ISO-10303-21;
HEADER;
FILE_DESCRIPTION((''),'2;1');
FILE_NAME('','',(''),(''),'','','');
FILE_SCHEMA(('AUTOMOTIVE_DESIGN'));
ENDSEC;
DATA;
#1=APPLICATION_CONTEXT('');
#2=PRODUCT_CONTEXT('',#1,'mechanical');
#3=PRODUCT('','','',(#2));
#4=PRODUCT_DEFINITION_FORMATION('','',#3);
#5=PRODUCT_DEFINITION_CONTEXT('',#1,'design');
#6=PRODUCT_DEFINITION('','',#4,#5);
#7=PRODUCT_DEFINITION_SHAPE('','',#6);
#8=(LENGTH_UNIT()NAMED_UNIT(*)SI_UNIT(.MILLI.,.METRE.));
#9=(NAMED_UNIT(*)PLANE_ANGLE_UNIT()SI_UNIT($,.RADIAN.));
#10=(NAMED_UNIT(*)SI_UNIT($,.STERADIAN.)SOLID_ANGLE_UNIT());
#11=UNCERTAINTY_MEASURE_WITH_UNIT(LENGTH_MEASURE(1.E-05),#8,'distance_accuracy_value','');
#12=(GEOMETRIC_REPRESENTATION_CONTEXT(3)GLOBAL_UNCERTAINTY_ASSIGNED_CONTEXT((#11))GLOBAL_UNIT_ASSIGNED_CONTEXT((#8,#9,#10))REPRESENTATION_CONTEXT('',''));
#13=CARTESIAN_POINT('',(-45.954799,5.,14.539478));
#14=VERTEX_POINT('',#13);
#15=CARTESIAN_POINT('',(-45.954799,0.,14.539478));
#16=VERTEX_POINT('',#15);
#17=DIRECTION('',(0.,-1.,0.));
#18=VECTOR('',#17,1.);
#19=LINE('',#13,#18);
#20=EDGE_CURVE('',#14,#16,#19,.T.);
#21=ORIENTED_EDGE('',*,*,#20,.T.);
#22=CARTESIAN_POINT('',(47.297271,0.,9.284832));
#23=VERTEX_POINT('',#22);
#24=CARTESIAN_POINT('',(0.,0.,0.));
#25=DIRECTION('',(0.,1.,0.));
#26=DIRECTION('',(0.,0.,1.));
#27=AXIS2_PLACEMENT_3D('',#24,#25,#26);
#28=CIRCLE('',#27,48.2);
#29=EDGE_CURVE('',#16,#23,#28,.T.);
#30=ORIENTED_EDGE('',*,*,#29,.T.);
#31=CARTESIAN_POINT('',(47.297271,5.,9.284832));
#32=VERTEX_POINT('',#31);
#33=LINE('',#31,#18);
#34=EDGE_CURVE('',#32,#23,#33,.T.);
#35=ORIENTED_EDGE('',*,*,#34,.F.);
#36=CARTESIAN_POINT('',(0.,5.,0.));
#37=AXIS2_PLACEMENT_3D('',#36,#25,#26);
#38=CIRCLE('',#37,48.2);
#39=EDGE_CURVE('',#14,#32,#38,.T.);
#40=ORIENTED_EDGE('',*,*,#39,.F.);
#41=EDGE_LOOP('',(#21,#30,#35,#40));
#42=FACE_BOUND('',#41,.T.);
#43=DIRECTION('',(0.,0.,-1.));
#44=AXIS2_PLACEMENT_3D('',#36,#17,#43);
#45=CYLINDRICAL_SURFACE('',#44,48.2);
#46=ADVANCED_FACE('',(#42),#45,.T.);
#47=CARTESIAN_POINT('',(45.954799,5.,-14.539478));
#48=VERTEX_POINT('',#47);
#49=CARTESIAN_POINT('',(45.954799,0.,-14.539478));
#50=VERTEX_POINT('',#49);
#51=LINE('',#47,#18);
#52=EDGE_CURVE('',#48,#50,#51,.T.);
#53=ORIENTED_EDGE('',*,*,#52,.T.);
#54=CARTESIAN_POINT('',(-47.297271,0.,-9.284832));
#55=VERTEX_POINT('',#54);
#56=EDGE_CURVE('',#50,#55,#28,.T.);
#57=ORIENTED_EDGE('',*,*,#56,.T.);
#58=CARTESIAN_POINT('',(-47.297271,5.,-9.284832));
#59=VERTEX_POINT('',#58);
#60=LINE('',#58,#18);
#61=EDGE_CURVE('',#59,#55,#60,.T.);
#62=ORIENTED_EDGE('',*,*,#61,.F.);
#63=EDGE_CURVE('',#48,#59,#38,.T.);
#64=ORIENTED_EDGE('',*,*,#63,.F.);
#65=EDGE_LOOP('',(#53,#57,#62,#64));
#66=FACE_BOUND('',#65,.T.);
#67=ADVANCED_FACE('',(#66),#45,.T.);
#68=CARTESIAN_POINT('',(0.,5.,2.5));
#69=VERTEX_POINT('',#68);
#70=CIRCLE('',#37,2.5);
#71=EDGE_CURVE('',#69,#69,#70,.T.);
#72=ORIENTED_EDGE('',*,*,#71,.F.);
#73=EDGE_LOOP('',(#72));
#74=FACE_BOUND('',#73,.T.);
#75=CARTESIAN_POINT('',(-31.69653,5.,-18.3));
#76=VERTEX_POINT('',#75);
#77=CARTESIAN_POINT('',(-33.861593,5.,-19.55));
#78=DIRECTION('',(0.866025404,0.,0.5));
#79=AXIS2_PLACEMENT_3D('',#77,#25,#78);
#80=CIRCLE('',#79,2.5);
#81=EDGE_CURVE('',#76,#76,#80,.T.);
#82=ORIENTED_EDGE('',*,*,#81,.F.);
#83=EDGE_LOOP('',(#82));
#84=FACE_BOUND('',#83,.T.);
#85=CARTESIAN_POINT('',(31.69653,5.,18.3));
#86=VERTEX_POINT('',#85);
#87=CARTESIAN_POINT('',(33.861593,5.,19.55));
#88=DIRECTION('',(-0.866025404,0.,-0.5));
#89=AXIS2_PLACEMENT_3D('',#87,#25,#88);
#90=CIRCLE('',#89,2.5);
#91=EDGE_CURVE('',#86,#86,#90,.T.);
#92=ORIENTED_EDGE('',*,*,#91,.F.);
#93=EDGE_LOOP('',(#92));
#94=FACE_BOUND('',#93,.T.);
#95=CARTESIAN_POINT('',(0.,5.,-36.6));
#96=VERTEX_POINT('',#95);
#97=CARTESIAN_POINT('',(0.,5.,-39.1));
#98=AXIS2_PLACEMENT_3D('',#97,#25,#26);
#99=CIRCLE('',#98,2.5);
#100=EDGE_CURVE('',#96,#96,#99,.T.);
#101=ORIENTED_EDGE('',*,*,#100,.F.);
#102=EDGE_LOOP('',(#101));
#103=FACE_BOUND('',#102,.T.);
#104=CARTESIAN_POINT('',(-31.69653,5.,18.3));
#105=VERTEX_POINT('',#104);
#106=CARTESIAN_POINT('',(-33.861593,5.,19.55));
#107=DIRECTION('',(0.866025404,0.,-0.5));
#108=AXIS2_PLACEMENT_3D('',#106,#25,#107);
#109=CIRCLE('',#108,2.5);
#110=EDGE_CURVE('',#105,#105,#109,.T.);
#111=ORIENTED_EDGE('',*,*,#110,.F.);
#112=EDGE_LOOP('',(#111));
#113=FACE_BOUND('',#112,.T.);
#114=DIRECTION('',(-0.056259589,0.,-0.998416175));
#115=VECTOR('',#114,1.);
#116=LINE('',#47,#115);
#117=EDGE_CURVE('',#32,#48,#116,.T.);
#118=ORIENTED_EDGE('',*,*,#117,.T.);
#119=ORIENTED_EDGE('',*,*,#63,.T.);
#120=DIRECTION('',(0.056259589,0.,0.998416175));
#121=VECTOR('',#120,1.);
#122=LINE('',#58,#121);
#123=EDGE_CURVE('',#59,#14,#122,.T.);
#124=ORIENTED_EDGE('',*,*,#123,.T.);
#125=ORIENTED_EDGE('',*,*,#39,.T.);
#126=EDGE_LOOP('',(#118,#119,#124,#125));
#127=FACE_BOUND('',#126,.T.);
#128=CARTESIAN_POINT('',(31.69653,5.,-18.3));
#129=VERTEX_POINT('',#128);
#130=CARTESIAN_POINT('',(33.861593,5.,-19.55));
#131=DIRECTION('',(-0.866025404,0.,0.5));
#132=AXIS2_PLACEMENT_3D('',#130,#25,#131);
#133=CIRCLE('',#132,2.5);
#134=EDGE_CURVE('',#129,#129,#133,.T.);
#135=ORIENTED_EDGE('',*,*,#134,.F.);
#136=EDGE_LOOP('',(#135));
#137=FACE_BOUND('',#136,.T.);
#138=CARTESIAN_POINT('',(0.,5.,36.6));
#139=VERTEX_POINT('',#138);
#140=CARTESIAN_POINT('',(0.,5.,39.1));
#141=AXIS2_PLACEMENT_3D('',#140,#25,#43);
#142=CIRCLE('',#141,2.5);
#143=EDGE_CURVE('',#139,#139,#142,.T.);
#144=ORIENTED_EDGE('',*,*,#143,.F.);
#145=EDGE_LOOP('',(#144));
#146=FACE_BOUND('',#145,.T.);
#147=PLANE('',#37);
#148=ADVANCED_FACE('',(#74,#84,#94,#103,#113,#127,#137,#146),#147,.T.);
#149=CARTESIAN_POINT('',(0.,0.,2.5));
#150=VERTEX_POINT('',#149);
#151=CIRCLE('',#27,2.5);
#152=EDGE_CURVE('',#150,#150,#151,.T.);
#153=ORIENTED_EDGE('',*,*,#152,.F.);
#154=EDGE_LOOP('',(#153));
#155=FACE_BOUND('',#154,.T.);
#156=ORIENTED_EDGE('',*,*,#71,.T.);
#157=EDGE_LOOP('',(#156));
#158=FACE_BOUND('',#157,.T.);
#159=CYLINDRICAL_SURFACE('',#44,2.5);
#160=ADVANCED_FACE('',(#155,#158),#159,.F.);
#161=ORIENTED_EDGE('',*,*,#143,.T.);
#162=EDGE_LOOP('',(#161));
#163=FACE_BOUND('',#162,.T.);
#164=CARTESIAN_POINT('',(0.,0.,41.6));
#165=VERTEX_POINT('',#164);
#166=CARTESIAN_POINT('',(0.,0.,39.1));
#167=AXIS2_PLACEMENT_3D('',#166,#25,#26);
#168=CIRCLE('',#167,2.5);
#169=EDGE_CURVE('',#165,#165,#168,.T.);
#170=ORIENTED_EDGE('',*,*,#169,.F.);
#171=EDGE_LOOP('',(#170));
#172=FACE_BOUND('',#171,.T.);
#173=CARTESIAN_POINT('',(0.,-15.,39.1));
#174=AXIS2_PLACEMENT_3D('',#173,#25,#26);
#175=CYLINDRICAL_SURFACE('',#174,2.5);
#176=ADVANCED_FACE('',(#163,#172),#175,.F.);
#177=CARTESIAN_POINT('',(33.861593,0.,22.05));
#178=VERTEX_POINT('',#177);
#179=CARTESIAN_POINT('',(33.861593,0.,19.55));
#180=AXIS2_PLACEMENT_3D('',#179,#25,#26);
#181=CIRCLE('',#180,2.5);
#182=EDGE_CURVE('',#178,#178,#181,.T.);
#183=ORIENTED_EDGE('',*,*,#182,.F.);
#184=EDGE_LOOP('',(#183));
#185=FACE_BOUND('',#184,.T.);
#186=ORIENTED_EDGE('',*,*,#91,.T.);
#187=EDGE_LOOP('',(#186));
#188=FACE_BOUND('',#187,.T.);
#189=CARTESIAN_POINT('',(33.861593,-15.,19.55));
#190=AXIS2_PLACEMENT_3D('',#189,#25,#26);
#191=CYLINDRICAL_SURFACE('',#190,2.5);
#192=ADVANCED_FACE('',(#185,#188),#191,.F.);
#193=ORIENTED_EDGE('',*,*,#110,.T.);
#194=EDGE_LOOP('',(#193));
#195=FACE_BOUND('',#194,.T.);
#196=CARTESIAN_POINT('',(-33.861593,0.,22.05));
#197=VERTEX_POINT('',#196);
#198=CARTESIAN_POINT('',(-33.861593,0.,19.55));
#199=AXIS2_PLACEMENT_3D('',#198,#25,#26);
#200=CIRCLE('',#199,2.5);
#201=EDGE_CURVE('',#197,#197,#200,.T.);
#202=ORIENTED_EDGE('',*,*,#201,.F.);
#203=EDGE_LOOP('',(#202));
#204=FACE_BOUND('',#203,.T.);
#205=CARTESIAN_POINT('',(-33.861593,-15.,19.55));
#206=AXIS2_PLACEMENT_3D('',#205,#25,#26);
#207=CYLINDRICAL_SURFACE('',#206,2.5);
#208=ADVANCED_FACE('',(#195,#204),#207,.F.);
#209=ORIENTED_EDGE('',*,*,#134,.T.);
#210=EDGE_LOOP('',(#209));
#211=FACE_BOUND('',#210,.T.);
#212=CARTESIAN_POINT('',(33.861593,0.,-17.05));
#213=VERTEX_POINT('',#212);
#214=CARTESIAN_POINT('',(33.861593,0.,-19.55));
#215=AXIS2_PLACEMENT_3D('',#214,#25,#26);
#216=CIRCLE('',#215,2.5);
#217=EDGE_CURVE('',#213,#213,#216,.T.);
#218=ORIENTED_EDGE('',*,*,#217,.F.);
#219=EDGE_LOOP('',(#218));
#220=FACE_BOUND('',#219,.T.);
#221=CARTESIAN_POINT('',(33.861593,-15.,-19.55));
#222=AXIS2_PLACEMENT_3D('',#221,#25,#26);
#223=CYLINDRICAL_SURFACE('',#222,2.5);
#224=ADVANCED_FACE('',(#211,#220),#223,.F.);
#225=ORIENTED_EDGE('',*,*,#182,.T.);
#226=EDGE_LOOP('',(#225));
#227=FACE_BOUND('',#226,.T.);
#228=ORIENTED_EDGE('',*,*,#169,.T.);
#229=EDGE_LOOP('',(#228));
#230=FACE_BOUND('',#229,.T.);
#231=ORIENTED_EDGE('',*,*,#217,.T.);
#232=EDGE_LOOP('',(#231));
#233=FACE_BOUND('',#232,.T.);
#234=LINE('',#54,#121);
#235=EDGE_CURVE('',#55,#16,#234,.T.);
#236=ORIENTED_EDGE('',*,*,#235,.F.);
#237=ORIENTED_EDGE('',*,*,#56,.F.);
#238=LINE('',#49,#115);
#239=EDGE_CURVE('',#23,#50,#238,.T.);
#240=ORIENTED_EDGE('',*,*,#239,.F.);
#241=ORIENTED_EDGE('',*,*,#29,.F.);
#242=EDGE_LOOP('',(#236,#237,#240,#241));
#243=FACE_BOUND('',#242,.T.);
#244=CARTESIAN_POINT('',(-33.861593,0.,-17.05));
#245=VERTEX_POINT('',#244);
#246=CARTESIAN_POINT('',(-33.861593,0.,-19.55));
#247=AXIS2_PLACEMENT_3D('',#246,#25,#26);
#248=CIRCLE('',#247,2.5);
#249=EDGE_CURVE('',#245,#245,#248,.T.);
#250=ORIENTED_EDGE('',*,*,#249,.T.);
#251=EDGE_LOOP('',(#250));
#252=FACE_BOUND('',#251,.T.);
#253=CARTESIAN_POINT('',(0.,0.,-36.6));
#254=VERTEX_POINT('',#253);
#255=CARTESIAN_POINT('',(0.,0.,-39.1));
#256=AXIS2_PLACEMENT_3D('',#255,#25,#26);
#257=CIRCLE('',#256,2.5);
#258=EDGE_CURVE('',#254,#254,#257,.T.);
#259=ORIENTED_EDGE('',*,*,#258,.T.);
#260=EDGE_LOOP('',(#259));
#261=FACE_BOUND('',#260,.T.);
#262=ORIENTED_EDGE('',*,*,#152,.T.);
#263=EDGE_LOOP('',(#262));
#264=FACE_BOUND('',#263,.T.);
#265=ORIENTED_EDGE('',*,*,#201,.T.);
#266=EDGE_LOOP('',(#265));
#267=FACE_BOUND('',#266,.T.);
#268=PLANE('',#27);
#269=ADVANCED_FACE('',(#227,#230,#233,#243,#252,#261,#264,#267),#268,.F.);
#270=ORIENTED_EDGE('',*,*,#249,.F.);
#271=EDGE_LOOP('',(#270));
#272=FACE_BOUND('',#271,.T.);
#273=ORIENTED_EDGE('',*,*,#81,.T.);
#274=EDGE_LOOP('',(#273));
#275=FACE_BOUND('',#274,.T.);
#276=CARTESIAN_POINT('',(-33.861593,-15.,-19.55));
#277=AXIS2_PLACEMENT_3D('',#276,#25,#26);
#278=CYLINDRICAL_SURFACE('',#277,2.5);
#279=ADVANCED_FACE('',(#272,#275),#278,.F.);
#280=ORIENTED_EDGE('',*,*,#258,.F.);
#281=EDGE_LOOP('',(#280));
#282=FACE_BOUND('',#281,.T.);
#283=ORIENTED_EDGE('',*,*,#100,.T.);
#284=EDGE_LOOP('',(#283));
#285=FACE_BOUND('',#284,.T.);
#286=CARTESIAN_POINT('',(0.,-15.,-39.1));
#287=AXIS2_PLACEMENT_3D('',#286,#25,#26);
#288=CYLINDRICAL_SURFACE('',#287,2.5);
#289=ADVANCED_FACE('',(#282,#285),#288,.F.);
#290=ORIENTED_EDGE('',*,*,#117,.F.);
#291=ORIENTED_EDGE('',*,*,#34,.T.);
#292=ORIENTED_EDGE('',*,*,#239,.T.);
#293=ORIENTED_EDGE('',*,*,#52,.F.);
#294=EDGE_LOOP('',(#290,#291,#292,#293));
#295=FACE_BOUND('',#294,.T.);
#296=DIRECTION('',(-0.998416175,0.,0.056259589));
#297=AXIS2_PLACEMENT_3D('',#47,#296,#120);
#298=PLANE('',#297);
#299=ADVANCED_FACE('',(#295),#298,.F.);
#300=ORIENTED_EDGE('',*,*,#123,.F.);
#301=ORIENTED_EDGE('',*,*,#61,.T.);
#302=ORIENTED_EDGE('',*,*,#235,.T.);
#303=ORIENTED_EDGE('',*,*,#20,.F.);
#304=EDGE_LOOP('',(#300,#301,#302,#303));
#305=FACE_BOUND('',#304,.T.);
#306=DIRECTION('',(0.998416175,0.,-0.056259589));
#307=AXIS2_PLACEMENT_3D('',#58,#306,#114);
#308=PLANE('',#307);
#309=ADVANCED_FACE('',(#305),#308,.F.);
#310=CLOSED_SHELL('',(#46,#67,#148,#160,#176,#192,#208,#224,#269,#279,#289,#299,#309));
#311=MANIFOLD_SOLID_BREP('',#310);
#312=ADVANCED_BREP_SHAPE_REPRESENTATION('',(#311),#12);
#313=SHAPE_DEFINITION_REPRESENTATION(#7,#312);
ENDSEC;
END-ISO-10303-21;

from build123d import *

# Parameters (mm, degrees)
SKETCH_1_R               = 2.5
EXTRUDE_1_DEPTH          = 5
SKETCH_2_R               = 2.5
CUT_EXTRUDE_1_DEPTH      = 20
PATTERN_CIRCULAR_1_COUNT = 6


with BuildPart() as part:
    # Эскиз1 → Бобышка-Вытянуть1 (new body)
    with BuildSketch(Plane(origin=(0, 0, 0), x_dir=(1, 0, 0), z_dir=(0, 1, 0))):
        with BuildLine():
            Line((45.954799299, 14.53947803), (47.297271453, -9.284832422))
            ThreePointArc((47.297271453, -9.284832422), (2.711712187, -48.123659639), (-45.954799299, -14.53947803))
            Line((-45.954799299, -14.53947803), (-47.297271453, 9.284832422))
            ThreePointArc((-47.297271453, 9.284832422), (-2.711712187, 48.123659639), (45.954799299, 14.53947803))
        make_face()
        with Locations(Location((0, 0, 0), (0, 0, 270))):
            Circle(SKETCH_1_R, mode=Mode.SUBTRACT)
    extrude(amount=EXTRUDE_1_DEPTH)

    # Эскиз2 → Вырез-Вытянуть1 (cut)
    with BuildSketch(Plane(origin=(0, 5, 0), x_dir=(1, 0, 0), z_dir=(0, 1, 0))):
        with Locations(Location((0, 39.1, 0), (0, 0, 270))):
            Circle(SKETCH_2_R)
    cut_extrude_1 = extrude(amount=-CUT_EXTRUDE_1_DEPTH, mode=Mode.SUBTRACT)

    # Круговой массив1: Вырез-Вытянуть1 ×6 about axis
    pattern_circular_1_axis = Axis((0, 0, 0), (0, 1, 0))
    for i in range(1, PATTERN_CIRCULAR_1_COUNT):
        add(cut_extrude_1.rotate(pattern_circular_1_axis, i * 360 / PATTERN_CIRCULAR_1_COUNT), mode=Mode.SUBTRACT)


solid = part.part
